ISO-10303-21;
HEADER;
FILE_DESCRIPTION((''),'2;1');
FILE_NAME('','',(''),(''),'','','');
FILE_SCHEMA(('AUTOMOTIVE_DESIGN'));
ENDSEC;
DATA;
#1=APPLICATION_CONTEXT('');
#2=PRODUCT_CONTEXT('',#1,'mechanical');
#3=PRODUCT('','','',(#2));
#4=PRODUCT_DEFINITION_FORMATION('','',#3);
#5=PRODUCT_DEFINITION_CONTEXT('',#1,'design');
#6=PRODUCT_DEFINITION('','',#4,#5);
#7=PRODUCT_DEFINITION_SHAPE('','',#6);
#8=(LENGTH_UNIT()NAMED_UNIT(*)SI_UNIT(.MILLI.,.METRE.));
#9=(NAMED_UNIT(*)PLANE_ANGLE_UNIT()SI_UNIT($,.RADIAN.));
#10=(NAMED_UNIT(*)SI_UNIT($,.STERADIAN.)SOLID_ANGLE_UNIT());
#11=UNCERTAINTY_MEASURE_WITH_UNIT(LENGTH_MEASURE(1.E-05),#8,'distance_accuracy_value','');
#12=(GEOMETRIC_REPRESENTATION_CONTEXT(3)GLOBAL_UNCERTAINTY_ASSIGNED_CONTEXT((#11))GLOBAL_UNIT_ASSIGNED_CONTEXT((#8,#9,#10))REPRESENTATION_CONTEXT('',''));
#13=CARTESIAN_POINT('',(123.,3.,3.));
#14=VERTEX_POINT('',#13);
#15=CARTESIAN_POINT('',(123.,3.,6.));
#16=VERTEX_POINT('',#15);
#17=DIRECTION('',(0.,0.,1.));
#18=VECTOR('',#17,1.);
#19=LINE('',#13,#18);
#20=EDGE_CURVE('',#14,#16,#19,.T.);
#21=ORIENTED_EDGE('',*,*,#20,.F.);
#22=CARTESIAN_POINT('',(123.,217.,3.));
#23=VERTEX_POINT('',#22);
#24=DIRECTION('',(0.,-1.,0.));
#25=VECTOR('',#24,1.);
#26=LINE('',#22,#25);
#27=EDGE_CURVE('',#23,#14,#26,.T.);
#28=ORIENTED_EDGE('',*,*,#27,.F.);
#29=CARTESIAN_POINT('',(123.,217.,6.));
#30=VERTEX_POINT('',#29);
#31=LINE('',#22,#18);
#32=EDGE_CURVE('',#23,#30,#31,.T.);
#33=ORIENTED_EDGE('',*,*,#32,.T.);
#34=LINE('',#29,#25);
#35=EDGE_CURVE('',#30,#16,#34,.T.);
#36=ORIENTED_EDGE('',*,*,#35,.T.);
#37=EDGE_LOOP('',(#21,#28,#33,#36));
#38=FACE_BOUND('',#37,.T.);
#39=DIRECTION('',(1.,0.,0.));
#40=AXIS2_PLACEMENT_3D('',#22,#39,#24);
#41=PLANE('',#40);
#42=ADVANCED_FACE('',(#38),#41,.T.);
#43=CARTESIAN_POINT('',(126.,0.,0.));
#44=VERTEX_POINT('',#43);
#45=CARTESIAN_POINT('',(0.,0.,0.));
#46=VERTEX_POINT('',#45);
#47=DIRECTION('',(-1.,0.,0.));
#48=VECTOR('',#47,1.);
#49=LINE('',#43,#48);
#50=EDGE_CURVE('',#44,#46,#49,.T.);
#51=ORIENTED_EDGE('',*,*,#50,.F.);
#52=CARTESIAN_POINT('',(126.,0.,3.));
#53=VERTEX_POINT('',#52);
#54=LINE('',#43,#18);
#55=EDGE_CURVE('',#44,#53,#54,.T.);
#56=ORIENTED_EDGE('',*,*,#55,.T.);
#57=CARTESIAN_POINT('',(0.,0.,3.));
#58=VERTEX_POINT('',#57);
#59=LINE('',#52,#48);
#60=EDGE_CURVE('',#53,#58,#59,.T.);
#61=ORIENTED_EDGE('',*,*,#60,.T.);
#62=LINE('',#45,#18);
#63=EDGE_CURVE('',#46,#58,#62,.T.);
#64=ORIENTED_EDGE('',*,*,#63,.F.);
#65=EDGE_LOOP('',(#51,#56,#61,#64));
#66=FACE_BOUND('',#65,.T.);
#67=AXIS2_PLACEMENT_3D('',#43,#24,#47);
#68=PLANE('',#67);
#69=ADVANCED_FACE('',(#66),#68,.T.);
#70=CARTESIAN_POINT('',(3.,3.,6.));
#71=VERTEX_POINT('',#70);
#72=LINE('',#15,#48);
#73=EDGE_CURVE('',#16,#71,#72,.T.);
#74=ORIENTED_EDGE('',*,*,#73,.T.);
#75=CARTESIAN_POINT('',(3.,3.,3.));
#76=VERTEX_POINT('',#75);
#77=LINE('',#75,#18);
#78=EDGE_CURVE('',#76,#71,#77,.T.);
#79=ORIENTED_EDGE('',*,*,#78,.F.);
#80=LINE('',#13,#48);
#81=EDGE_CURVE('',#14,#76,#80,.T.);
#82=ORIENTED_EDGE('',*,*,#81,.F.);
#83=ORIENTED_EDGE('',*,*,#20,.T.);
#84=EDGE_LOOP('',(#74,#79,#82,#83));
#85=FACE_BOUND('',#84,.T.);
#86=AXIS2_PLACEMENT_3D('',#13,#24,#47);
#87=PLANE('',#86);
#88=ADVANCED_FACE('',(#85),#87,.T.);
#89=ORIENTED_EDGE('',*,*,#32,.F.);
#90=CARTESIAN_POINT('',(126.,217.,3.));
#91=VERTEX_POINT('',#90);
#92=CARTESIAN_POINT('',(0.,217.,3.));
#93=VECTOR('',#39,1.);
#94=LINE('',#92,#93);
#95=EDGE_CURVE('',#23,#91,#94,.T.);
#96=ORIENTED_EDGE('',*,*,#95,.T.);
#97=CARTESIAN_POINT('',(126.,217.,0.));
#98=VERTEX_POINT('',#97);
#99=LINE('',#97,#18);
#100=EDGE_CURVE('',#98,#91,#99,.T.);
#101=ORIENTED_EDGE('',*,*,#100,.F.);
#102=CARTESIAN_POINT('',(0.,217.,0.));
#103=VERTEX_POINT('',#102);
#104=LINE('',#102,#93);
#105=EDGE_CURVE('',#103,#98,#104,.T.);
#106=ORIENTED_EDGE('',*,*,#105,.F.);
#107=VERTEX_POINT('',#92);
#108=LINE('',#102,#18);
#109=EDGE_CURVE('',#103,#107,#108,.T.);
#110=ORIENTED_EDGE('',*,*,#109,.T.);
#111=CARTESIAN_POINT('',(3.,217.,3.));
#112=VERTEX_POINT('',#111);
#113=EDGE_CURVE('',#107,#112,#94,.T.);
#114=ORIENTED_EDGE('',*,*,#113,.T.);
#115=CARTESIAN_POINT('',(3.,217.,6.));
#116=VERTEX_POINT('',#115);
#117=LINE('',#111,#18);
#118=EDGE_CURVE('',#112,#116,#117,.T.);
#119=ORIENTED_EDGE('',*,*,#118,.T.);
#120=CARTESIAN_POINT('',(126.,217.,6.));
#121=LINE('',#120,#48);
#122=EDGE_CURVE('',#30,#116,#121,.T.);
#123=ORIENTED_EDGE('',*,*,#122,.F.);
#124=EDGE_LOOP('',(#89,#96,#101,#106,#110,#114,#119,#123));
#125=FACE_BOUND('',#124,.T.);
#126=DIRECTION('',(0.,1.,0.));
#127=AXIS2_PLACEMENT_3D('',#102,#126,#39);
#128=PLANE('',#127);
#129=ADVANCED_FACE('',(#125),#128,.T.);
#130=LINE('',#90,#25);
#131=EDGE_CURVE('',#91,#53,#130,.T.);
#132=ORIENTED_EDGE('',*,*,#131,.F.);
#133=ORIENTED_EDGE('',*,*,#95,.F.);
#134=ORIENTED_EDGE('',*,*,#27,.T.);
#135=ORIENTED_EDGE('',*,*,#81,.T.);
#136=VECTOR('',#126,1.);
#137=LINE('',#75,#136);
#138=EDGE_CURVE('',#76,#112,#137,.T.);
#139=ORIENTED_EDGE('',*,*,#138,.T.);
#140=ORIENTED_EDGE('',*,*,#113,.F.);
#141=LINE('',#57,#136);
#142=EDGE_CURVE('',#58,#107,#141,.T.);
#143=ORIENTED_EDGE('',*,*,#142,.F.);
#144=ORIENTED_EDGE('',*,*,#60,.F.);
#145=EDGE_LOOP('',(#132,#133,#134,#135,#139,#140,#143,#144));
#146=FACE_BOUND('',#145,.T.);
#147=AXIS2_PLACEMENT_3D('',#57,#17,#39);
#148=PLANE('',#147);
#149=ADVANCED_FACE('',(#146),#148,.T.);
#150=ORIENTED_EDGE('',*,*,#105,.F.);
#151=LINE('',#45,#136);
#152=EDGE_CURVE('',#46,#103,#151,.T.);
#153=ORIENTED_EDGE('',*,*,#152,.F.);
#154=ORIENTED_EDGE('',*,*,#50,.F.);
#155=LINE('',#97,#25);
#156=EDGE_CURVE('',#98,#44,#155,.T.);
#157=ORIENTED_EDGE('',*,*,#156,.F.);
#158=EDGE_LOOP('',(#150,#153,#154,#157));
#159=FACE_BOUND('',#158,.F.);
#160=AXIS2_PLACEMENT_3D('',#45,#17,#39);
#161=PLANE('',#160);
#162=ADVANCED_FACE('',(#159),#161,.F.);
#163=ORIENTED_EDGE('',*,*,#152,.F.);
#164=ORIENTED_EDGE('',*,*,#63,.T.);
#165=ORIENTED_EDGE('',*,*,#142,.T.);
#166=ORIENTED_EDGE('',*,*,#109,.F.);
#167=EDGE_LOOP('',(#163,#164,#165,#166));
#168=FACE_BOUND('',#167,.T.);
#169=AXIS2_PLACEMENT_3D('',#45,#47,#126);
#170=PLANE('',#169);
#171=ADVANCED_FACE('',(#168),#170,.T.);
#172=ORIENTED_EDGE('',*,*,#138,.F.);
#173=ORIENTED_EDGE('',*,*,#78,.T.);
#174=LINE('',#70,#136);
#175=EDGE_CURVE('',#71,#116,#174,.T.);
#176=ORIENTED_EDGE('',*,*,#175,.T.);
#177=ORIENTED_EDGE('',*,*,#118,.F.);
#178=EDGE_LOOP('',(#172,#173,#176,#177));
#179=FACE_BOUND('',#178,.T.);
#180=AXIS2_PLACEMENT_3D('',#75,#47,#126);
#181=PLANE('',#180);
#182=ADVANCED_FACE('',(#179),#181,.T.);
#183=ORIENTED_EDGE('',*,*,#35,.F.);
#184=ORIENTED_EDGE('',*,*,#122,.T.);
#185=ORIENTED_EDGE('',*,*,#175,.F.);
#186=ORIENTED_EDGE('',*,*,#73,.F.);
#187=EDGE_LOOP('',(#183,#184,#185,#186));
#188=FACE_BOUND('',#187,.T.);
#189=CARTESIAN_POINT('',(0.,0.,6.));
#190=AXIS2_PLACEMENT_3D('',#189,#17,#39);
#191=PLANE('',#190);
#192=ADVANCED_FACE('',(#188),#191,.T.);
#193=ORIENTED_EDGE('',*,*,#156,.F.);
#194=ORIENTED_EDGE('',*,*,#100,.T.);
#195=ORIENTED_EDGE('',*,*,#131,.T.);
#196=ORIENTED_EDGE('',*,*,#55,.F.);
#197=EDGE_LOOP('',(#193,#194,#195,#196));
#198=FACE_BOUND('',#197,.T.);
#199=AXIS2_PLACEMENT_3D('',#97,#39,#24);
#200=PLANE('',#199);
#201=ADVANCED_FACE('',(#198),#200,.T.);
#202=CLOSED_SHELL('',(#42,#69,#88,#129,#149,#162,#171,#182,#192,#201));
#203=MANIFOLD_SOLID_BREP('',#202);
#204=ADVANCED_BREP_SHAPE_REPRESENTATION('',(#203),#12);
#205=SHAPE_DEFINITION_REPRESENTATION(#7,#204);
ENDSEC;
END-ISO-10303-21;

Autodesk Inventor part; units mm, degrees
ref_plane "YZ Plane" through (0, 0, 0) normal (1, 0, 0) x (0, 1, 0)
ref_plane "XZ Plane" through (0, 0, 0) normal (0, 1, 0) x (-1, 0, 0)
ref_plane "XY Plane" through (0, 0, 0) normal (0, 0, 1) x (1, 0, 0)
sketch "Sketch1" plane through (0, 0, 0) normal (0, 0, 1) x (1, 0, 0)
  line L0 (0, 217) -> (126, 217)
  line L1 (126, 217) -> (126, 0)
  line L2 (126, 0) -> (0, 0)
  line L3 (0, 0) -> (0, 217)
  dimension "d0" = 126
  dimension "d1" = 217
extrude "Extrusion1" add sketch "Sketch1" along normal blind 3
sketch "Sketch2" plane through (0, 0, 3) normal (0, 0, 1) x (1, 0, 0)
  line L0 (0, 0) -> (126, 0) projected
  line L1 (126, 0) -> (126, 217) projected
  line L2 (126, 217) -> (0, 217) projected
  line L3 (0, 217) -> (0, 0) projected
  line L4 (3, 217) -> (123, 217)
  line L5 (123, 217) -> (123, 3)
  line L6 (123, 3) -> (3, 3)
  line L7 (3, 3) -> (3, 217)
  dimension "d4" = 3
  dimension "d5" = 3
  dimension "d6" = 3
extrude "Extrusion2" add sketch "Sketch2" along normal blind 3 contours L2 L5 L6 L7
properties part number "Tapa pared falsa"
